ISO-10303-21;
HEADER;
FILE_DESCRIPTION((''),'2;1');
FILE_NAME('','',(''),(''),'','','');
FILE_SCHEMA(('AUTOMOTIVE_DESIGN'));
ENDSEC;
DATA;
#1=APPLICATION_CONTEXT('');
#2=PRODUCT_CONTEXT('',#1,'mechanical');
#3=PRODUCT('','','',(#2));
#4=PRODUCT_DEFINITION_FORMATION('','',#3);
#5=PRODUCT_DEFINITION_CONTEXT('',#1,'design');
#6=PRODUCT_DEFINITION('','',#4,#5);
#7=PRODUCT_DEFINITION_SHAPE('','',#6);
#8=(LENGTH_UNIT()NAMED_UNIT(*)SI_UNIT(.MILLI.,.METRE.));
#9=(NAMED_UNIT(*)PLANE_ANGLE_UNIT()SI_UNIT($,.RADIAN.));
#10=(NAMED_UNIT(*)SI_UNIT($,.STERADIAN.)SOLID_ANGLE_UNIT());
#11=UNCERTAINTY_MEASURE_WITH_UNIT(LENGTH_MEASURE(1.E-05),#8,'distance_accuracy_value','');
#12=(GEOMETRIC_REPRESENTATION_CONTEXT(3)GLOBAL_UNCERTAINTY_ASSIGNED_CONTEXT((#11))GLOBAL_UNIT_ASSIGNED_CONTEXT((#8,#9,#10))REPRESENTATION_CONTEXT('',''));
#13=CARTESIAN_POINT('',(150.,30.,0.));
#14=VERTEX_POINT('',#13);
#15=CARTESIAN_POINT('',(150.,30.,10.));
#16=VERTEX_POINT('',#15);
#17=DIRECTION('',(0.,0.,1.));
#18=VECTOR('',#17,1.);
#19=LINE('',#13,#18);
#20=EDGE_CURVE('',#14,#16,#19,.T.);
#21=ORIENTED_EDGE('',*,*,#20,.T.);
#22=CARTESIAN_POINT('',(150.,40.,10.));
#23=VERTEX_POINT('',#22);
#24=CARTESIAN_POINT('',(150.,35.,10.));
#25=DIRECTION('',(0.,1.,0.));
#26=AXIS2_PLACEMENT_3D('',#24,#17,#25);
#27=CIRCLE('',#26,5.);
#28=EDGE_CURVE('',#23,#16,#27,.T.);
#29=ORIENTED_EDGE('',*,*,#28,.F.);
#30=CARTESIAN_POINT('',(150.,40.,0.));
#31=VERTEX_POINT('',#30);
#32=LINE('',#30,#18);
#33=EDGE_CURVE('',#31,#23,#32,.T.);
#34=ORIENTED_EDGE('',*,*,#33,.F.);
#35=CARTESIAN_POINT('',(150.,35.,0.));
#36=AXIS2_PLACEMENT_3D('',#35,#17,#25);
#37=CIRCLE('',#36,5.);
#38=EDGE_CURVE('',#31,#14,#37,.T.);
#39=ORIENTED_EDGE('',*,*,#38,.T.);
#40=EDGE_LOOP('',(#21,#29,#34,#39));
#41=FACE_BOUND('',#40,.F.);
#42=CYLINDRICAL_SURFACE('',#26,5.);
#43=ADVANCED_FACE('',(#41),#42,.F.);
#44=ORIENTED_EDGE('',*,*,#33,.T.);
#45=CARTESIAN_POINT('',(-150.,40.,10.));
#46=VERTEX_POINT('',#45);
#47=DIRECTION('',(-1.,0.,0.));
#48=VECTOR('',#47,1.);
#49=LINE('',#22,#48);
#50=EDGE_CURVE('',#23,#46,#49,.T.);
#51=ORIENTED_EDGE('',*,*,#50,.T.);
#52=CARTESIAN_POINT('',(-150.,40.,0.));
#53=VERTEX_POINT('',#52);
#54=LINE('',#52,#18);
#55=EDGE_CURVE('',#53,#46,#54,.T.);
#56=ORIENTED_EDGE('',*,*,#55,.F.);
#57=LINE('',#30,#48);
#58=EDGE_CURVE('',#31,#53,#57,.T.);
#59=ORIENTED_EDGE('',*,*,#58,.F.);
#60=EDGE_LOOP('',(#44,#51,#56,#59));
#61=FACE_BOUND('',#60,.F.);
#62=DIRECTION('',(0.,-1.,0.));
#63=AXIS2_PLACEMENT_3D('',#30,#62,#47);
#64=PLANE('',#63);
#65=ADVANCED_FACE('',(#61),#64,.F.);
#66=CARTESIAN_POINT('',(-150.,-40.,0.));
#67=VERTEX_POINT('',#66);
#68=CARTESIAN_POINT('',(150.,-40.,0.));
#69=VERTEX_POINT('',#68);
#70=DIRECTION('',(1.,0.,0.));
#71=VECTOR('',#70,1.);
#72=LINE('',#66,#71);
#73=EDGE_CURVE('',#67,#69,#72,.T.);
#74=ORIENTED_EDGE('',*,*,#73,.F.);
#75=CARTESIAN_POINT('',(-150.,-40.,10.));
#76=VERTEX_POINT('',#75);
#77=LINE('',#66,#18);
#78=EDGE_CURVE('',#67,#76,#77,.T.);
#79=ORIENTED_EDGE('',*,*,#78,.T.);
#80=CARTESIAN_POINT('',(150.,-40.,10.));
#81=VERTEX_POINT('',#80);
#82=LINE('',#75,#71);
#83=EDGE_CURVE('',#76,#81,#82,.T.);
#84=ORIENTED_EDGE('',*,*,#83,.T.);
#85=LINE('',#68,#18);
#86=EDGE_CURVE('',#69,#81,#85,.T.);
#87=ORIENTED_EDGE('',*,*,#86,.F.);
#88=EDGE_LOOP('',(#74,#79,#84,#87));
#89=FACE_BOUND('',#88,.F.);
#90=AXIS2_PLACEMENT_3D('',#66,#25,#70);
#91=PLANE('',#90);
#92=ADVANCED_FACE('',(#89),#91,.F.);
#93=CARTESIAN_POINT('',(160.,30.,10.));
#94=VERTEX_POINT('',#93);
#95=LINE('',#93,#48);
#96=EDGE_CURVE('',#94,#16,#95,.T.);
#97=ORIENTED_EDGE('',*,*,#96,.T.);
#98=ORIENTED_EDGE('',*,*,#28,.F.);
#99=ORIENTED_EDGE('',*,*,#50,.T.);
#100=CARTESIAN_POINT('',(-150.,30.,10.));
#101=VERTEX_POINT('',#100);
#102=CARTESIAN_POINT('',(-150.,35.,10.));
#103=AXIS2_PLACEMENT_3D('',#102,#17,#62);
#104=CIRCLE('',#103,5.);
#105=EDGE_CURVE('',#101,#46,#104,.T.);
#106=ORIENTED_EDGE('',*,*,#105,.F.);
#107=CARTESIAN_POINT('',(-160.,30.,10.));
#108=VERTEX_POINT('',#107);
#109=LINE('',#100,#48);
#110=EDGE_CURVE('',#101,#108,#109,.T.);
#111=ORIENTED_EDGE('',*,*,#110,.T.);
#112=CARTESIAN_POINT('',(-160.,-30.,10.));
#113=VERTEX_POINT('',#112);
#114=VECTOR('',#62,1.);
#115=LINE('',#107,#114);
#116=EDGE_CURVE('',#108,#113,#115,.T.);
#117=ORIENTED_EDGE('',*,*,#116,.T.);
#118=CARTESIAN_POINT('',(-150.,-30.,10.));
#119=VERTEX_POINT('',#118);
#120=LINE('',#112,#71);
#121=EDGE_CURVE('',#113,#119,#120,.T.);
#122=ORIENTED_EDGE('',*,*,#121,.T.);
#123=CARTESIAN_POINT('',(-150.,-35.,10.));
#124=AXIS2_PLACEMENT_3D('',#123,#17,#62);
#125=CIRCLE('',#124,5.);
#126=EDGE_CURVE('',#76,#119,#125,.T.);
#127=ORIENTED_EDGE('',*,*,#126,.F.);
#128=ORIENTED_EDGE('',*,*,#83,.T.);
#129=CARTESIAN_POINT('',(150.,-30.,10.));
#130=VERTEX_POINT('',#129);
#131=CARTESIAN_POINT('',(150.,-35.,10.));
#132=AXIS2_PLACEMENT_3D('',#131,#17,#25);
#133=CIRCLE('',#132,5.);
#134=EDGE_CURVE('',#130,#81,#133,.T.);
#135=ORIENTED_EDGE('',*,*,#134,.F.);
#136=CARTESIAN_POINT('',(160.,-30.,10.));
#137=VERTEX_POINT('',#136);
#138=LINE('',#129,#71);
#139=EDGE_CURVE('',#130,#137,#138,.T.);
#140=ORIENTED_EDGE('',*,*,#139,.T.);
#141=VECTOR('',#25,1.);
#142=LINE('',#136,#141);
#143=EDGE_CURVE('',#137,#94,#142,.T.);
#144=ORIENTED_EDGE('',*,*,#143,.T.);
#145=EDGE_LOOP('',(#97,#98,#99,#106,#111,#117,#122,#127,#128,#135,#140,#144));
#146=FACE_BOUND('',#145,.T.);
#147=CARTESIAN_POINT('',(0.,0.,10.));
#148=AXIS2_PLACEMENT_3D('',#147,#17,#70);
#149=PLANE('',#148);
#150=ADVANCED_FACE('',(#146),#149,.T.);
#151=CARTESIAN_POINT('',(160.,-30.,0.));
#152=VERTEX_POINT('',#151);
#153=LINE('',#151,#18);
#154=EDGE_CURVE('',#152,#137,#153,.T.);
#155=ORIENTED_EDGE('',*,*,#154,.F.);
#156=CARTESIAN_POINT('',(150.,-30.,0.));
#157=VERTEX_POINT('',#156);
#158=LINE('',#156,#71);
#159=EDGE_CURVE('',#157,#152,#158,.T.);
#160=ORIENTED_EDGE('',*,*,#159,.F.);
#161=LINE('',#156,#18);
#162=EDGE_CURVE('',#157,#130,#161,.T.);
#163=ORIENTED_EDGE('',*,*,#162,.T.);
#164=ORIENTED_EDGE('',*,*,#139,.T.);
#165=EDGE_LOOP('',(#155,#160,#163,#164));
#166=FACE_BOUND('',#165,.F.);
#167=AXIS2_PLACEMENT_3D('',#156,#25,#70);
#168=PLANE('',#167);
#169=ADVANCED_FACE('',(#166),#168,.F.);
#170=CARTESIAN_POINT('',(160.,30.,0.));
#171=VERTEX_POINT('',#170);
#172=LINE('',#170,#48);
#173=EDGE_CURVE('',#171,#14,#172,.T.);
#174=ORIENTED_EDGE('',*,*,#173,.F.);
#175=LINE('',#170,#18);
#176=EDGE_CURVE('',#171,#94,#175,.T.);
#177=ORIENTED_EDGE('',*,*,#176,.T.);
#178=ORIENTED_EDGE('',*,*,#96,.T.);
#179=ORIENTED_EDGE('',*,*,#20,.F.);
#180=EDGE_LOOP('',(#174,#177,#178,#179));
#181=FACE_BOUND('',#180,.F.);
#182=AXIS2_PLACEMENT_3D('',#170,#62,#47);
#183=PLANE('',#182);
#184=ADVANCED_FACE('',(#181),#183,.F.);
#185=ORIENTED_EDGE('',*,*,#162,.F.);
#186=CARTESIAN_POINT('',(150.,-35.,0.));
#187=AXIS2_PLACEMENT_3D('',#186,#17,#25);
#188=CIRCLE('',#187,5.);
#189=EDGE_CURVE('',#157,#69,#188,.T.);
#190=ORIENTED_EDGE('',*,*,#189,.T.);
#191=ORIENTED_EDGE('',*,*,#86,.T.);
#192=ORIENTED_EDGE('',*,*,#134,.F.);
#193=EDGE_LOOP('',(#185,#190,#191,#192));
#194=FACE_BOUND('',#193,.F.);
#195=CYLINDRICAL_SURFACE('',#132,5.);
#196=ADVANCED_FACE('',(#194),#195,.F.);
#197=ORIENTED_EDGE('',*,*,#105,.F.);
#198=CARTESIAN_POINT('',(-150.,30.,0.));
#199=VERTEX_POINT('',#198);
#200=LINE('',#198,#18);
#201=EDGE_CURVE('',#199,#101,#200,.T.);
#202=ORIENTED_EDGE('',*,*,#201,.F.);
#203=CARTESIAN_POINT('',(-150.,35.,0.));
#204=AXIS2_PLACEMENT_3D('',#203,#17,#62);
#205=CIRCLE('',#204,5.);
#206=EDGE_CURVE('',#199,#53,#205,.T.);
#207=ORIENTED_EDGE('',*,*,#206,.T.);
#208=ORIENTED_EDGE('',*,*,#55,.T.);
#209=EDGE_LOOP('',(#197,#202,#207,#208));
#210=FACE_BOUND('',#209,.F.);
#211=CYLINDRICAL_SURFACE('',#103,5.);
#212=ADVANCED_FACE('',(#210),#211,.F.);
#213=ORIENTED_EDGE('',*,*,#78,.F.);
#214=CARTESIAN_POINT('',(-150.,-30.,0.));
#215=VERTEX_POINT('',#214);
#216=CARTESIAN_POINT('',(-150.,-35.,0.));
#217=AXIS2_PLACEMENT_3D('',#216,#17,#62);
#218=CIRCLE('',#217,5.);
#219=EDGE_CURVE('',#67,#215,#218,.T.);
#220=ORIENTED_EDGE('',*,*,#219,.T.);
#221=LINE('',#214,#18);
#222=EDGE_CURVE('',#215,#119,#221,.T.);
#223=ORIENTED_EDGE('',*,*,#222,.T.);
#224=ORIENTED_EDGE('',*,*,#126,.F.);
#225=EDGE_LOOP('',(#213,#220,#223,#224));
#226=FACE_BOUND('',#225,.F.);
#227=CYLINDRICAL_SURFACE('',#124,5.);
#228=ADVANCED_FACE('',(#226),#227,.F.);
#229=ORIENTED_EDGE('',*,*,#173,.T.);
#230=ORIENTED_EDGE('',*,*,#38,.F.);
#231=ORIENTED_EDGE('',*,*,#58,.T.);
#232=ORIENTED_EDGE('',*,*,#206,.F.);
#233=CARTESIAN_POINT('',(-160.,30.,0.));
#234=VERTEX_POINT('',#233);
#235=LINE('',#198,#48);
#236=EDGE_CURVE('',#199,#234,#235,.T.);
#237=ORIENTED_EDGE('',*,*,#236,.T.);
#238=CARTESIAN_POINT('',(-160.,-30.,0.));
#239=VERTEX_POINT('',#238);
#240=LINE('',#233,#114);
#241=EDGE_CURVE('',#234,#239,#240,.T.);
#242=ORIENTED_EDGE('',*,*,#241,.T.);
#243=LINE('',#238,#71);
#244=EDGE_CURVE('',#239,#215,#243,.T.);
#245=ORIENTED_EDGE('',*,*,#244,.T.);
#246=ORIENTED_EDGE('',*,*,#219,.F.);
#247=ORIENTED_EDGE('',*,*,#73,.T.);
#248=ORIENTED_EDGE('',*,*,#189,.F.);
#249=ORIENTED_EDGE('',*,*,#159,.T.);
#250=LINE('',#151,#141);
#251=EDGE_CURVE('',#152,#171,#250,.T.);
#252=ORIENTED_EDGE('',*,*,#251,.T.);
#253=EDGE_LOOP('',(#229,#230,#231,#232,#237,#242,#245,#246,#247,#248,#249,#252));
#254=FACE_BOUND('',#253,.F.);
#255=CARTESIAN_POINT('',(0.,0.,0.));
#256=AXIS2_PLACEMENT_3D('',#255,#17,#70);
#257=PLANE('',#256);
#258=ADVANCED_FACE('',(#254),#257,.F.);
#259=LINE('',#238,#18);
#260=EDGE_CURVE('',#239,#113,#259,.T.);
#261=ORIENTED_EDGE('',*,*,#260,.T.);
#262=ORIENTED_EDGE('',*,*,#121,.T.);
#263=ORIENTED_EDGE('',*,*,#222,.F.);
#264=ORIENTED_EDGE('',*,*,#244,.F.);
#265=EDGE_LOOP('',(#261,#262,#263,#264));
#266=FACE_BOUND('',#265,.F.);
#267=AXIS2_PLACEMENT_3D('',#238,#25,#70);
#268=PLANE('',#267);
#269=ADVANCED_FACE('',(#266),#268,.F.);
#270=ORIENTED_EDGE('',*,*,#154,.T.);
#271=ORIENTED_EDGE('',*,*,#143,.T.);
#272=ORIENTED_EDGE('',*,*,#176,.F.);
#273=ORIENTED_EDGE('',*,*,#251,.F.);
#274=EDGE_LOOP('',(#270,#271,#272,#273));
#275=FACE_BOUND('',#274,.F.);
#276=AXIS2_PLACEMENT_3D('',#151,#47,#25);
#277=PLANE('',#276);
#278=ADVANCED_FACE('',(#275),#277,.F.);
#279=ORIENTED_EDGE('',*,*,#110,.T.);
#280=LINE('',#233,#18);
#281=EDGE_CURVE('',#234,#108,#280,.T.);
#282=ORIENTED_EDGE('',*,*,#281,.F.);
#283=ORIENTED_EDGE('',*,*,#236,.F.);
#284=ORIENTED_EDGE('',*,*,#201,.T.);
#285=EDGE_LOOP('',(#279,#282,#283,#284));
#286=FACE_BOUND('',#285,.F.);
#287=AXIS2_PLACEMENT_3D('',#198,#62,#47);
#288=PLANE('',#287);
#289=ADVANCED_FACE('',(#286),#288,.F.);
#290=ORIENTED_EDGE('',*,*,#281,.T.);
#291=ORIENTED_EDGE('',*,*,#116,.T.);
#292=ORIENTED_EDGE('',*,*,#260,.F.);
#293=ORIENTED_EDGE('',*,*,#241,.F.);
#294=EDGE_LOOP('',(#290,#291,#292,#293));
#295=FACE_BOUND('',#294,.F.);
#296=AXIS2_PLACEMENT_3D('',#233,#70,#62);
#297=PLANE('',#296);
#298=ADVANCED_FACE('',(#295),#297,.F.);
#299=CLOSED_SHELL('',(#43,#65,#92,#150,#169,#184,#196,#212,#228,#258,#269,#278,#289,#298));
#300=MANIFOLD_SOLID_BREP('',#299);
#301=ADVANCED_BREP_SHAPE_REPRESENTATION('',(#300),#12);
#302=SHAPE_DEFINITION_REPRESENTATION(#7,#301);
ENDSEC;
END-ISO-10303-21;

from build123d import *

# Parameters (mm, degrees)
F2_DEPTH = 10
F4_DEPTH = 10.001


with BuildPart() as f2:
    # F1 (on Top) → F2 (new body)
    with BuildSketch(Plane.XY):
        Polygon((-150, -40), (150, -40), (150, -30), (160, -30), (160, 30), (150, 30), (150, 40), (-150, 40), (-150, 30), (-160, 30), (-160, -30), (-150, -30), align=None)
    extrude(amount=F2_DEPTH)

    # F3 (on face) → F4 (cut, through all)
    with BuildSketch(Plane.XY.offset(10)):
        with BuildLine():
            ThreePointArc((-150, -40), (-145, -35), (-150, -30))
            Line((-150, -30), (-150, -40))
        make_face()
        with BuildLine():
            Line((-150, 40), (-150, 30))
            ThreePointArc((-150, 30), (-145, 35), (-150, 40))
        make_face()
        with BuildLine():
            Line((150, 30), (150, 40))
            ThreePointArc((150, 40), (145, 35), (150, 30))
        make_face()
        with BuildLine():
            ThreePointArc((150, -30), (145, -35), (150, -40))
            Line((150, -40), (150, -30))
        make_face()
    extrude(amount=-F4_DEPTH, mode=Mode.SUBTRACT)


solid = f2.part
